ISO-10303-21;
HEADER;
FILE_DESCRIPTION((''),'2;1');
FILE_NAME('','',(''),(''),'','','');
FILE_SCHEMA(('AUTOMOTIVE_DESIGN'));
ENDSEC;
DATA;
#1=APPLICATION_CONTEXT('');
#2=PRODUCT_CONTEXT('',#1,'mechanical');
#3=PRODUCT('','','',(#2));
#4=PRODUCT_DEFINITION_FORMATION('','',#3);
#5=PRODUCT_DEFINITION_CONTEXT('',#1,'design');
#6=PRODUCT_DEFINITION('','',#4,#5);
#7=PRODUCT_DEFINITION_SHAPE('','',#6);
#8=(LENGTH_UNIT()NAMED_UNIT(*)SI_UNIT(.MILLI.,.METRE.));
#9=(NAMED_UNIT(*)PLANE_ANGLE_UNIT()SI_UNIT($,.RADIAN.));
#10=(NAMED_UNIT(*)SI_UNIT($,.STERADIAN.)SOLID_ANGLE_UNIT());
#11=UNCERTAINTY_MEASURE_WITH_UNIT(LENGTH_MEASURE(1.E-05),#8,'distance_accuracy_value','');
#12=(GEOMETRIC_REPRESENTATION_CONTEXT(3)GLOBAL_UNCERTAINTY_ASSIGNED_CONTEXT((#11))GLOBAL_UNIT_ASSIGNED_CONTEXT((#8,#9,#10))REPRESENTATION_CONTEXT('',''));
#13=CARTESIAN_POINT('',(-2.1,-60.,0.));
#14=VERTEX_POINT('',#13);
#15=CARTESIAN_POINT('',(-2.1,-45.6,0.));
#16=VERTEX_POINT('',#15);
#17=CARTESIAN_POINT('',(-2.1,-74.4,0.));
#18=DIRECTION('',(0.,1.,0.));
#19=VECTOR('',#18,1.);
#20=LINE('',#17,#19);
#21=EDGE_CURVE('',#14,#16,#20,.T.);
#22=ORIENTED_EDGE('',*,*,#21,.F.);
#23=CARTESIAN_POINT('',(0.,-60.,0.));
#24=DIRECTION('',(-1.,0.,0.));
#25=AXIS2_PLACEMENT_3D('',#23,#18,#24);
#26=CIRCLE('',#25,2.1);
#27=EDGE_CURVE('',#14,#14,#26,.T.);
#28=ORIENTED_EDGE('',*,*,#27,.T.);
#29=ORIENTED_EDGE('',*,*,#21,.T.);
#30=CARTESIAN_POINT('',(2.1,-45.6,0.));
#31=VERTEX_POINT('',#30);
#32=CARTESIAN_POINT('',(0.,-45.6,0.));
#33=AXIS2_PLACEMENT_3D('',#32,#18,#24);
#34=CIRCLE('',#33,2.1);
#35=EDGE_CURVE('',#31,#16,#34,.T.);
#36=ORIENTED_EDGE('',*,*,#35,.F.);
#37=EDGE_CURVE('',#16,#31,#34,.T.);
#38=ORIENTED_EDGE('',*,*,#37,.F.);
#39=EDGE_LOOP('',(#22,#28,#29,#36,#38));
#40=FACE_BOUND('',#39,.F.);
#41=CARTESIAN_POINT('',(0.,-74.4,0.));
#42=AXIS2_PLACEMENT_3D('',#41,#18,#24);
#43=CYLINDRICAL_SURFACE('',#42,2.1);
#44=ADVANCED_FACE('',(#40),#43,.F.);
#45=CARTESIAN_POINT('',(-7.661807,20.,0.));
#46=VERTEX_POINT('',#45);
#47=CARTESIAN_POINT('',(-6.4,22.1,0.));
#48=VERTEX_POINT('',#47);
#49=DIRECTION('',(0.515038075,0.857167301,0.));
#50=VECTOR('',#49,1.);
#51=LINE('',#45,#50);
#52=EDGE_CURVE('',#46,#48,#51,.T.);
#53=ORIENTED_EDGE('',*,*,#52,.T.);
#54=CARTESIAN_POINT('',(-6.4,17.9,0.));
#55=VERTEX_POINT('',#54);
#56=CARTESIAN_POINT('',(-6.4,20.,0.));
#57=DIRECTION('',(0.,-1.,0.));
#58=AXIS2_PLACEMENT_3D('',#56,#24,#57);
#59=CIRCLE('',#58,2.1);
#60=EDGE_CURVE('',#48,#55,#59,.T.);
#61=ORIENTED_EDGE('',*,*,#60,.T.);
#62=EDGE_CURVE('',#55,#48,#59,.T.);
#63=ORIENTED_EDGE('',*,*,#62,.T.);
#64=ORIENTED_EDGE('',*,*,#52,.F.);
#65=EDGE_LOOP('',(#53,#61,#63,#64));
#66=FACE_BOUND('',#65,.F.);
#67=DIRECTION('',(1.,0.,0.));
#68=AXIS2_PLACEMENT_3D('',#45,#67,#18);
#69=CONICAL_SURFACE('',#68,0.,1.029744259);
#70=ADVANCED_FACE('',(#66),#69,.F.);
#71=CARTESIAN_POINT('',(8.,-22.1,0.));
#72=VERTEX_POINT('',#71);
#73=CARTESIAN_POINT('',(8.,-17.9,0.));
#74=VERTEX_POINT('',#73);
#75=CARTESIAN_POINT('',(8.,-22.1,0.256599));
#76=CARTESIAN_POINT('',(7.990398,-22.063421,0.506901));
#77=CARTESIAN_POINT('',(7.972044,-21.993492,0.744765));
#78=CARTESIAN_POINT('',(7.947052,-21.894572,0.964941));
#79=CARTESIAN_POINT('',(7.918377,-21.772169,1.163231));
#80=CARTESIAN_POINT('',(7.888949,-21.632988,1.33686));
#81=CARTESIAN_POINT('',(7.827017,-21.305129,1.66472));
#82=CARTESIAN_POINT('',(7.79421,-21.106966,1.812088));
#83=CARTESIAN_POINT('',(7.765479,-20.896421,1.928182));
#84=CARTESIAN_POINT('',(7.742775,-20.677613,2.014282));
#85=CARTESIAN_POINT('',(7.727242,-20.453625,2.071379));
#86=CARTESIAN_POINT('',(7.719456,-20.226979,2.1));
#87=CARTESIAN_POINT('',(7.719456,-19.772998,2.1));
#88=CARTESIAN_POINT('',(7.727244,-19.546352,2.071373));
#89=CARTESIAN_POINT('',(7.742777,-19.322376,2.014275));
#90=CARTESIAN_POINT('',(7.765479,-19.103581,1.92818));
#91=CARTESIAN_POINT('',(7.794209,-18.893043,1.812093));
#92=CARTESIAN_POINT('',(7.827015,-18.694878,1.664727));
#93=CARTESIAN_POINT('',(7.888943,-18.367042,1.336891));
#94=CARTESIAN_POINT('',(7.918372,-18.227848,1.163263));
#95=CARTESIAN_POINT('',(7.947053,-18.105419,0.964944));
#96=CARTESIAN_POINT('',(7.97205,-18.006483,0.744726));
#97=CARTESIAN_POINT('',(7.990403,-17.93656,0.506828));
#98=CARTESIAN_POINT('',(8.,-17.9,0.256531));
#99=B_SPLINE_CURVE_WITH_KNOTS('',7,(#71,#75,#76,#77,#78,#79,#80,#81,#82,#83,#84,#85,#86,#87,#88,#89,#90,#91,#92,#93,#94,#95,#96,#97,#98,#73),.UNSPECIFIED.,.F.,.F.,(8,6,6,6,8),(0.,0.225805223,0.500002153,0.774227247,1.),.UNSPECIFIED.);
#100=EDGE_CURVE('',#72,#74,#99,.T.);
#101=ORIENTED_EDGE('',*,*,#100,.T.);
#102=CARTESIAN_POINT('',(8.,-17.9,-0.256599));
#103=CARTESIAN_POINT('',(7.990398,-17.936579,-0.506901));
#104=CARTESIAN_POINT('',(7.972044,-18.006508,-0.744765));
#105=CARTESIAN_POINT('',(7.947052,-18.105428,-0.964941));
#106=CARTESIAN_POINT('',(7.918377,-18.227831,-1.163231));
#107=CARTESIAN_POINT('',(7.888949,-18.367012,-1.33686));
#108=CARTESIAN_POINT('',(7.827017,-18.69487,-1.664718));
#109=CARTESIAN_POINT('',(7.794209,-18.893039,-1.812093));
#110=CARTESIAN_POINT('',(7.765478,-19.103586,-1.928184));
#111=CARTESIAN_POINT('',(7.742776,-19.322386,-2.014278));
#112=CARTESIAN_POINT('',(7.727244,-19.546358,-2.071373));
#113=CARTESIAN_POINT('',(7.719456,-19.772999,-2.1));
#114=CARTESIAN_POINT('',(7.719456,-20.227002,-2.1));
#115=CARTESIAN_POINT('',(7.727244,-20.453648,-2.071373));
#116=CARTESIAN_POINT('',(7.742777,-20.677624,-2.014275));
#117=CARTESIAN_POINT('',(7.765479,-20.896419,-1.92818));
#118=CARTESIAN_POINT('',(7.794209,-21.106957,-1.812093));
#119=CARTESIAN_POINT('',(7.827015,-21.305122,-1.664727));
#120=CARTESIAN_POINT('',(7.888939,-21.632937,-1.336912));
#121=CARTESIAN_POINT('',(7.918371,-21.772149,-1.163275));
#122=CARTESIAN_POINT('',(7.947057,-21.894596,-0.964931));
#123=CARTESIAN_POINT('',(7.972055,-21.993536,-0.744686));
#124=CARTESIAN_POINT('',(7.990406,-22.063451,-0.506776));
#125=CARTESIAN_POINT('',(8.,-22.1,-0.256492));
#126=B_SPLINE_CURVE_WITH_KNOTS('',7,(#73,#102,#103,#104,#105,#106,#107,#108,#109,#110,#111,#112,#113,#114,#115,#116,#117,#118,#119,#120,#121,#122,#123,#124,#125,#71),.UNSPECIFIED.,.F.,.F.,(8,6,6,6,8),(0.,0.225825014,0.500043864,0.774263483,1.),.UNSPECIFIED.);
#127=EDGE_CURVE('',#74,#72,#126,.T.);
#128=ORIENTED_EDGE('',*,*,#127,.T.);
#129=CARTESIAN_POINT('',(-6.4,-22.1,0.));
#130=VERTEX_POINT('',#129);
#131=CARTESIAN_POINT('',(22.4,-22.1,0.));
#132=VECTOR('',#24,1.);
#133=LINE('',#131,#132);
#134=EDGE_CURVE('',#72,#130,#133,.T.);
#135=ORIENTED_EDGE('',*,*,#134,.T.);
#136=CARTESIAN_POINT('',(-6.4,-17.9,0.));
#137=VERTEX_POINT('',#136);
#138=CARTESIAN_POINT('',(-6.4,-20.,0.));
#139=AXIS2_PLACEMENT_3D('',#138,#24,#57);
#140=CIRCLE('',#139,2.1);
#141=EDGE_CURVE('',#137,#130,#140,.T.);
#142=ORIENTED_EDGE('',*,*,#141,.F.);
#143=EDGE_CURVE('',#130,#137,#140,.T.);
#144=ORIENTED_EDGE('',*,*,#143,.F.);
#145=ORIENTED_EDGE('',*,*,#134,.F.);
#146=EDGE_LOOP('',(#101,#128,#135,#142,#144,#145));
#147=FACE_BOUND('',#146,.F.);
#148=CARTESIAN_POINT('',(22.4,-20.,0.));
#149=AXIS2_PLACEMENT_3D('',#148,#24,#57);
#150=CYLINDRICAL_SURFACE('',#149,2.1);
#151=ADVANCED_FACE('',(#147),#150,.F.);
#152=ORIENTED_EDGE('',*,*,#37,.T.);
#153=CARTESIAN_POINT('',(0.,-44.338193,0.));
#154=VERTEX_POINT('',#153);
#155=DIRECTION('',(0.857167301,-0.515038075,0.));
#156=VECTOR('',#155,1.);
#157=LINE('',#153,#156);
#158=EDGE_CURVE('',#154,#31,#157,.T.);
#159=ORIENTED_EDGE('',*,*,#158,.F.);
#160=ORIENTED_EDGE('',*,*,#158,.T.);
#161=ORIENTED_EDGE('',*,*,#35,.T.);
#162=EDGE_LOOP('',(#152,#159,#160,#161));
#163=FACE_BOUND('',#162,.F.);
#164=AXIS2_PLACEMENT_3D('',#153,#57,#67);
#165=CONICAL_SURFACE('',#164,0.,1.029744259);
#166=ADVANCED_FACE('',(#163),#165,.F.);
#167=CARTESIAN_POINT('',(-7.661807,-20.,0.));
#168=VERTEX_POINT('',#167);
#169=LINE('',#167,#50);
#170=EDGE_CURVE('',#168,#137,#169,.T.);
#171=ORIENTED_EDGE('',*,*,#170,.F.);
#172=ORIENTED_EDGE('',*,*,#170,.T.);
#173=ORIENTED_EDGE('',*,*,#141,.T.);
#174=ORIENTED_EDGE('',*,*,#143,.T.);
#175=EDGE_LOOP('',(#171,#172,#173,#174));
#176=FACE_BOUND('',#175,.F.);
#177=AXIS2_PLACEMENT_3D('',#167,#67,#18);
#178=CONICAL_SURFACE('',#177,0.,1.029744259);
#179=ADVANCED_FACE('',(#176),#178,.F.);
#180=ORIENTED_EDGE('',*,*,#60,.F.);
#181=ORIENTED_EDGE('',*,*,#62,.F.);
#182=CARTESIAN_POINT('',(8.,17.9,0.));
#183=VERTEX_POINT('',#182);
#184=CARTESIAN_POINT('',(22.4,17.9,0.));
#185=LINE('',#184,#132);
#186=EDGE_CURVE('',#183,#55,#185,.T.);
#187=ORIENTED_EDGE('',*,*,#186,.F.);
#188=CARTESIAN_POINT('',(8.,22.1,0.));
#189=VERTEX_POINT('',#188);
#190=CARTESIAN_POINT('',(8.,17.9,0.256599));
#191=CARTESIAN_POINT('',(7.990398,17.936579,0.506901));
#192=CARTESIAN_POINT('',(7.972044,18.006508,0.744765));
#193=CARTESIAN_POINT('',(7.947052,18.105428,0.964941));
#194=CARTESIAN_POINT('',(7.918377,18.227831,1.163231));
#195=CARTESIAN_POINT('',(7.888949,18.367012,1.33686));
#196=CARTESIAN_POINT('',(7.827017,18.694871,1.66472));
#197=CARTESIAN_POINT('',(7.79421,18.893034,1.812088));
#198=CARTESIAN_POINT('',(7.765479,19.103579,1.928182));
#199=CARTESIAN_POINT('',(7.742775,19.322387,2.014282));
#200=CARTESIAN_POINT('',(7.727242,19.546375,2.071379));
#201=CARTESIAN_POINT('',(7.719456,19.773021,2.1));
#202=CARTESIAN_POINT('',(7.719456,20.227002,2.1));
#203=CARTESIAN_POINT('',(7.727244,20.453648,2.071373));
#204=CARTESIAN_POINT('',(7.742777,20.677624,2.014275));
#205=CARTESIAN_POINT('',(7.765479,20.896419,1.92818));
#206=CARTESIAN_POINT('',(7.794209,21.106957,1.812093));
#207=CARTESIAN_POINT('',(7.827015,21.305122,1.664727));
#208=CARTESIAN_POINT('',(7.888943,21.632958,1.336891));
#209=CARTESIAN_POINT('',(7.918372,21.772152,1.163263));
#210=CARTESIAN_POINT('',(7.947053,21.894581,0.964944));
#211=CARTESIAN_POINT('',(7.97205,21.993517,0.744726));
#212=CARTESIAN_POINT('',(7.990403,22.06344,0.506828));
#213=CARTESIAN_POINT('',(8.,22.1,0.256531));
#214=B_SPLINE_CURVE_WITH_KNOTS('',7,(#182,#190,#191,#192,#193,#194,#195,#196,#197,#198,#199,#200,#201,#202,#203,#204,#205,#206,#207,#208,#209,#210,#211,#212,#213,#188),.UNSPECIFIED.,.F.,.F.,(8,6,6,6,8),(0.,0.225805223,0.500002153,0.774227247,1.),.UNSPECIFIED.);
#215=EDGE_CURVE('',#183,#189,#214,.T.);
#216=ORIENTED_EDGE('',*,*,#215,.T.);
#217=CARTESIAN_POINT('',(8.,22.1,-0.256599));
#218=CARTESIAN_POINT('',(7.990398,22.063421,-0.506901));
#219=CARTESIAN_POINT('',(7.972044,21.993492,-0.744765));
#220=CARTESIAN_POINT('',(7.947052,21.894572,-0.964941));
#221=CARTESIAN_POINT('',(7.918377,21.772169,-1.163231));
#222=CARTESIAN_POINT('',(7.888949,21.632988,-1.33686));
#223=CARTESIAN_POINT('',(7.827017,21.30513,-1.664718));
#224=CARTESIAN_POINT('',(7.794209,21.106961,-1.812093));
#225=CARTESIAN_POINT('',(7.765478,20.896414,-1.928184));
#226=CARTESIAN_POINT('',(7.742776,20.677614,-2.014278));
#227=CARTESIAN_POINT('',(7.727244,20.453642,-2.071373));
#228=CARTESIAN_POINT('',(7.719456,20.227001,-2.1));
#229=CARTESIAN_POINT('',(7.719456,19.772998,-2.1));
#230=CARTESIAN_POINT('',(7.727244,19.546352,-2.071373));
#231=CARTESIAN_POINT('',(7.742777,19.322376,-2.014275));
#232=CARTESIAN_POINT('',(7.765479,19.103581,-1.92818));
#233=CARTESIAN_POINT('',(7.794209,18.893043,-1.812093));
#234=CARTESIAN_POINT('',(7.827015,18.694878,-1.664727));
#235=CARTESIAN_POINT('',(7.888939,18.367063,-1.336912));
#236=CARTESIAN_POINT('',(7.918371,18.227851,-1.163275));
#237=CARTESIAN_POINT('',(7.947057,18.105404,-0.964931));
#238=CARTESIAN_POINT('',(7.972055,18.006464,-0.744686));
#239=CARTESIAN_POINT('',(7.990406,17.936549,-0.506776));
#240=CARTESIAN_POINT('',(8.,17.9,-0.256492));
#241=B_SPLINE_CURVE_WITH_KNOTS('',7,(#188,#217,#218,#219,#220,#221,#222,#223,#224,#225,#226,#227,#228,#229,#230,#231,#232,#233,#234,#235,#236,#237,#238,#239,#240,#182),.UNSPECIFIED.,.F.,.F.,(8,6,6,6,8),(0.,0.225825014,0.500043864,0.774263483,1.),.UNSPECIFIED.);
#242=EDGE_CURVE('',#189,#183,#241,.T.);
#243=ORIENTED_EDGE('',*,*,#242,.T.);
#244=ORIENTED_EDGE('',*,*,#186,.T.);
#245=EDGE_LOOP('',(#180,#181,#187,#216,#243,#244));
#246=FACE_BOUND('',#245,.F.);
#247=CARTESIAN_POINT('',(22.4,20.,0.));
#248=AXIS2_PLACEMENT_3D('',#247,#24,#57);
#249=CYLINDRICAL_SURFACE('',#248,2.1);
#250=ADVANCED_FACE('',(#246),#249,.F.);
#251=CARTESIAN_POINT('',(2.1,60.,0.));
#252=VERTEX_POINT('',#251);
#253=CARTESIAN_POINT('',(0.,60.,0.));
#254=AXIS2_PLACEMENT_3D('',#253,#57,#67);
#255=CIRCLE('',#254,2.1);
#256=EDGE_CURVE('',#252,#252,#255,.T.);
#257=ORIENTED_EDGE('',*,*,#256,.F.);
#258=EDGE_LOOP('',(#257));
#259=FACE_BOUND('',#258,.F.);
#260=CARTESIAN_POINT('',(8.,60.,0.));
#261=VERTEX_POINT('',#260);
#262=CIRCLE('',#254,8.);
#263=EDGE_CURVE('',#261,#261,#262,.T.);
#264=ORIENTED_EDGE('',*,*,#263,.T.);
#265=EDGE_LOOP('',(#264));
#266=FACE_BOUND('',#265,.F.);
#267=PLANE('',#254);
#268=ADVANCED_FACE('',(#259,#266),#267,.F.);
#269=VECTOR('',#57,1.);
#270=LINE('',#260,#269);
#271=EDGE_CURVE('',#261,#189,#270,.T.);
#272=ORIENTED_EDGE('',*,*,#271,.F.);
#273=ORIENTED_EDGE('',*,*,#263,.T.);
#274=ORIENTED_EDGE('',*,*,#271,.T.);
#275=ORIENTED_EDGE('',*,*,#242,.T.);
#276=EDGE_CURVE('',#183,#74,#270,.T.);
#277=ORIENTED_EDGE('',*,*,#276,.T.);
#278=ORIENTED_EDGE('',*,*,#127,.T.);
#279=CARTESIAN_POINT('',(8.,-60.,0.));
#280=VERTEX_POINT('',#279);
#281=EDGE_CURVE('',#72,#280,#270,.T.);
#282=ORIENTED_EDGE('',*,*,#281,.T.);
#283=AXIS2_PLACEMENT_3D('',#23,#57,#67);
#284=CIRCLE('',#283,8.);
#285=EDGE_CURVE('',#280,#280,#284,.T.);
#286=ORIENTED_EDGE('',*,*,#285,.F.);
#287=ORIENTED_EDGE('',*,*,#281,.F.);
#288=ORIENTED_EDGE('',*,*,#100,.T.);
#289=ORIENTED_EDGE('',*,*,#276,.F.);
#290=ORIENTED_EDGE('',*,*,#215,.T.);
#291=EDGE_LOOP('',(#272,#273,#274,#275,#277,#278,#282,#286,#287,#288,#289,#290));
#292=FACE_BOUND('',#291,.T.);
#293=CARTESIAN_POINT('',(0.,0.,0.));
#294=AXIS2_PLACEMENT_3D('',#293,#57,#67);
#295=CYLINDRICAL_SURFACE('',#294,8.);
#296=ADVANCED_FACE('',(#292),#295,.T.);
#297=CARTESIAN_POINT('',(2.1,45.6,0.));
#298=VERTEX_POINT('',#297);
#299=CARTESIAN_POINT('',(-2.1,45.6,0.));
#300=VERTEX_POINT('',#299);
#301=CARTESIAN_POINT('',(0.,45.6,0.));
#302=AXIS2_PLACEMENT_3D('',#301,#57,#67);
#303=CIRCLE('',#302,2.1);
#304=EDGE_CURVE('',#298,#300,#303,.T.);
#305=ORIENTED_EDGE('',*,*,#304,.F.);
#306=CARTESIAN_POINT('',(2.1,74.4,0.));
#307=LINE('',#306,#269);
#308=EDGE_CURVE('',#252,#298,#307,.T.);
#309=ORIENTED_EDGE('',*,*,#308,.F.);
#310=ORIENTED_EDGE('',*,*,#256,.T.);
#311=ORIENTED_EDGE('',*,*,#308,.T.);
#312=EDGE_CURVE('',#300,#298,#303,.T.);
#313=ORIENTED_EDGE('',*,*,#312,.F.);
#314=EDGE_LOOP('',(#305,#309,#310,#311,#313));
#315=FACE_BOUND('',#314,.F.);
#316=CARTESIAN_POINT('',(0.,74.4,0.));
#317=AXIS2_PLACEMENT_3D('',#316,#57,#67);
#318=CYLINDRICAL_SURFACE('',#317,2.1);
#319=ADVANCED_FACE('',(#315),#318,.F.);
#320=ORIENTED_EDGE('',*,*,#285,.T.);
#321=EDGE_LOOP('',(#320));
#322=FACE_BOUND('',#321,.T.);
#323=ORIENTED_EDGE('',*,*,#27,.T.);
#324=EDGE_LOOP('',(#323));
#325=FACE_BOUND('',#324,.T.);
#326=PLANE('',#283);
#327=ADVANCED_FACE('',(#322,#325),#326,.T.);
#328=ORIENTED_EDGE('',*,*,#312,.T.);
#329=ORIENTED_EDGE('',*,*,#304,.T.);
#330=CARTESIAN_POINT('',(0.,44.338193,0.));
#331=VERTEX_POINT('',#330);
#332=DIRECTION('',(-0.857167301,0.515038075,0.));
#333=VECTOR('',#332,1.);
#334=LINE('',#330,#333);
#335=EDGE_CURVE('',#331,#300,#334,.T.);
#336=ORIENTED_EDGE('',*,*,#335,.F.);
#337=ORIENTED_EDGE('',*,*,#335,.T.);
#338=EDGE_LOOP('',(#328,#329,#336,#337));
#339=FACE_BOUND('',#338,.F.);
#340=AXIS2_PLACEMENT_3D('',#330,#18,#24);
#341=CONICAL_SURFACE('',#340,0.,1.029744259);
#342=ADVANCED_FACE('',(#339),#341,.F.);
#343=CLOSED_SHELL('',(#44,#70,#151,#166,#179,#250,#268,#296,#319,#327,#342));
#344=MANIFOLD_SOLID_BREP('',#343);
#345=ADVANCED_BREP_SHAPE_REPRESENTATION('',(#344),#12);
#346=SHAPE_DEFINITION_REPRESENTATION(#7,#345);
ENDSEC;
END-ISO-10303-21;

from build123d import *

# Parameters (mm, degrees)
F0_R     = 8
F1_DEPTH = 60
F3_D     = 4.2
F3_DEPTH = 14.4
F3_TIP   = 1.2618073
F5_D     = 4.2
F5_DEPTH = 14.4
F5_TIP   = 1.2618073
F8_D     = 4.2
F8_DEPTH = 14.4
F8_TIP   = 1.2618073


with BuildPart() as f1:
    # F0 (on Front) → F1 (new body, symmetric)
    with BuildSketch(Plane.XZ):
        Circle(F0_R)
    extrude(amount=F1_DEPTH, both=True)

    # F3
    with Locations(Plane.XZ.offset(60)):
        with Locations((0, 0)):
            Hole(F3_D / 2, depth=F3_DEPTH)
            with Locations((0, 0, -(F3_DEPTH + F3_TIP / 2))):  # 118° drill point
                Cone(0, F3_D / 2, F3_TIP, mode=Mode.SUBTRACT)

    # F5
    with Locations(Plane(origin=(0, 60, 0), x_dir=(-1, 0, 0), z_dir=(0, 1, 0))):
        with Locations((0, 0)):
            Hole(F5_D / 2, depth=F5_DEPTH)
            with Locations((0, 0, -(F5_DEPTH + F5_TIP / 2))):  # 118° drill point
                Cone(0, F5_D / 2, F5_TIP, mode=Mode.SUBTRACT)

    # F8
    with Locations(Plane.YZ.offset(8)):
        with Locations((20, 0), (-20, 0)):
            Hole(F8_D / 2, depth=F8_DEPTH)
            with Locations((0, 0, -(F8_DEPTH + F8_TIP / 2))):  # 118° drill point
                Cone(0, F8_D / 2, F8_TIP, mode=Mode.SUBTRACT)


solid = f1.part
